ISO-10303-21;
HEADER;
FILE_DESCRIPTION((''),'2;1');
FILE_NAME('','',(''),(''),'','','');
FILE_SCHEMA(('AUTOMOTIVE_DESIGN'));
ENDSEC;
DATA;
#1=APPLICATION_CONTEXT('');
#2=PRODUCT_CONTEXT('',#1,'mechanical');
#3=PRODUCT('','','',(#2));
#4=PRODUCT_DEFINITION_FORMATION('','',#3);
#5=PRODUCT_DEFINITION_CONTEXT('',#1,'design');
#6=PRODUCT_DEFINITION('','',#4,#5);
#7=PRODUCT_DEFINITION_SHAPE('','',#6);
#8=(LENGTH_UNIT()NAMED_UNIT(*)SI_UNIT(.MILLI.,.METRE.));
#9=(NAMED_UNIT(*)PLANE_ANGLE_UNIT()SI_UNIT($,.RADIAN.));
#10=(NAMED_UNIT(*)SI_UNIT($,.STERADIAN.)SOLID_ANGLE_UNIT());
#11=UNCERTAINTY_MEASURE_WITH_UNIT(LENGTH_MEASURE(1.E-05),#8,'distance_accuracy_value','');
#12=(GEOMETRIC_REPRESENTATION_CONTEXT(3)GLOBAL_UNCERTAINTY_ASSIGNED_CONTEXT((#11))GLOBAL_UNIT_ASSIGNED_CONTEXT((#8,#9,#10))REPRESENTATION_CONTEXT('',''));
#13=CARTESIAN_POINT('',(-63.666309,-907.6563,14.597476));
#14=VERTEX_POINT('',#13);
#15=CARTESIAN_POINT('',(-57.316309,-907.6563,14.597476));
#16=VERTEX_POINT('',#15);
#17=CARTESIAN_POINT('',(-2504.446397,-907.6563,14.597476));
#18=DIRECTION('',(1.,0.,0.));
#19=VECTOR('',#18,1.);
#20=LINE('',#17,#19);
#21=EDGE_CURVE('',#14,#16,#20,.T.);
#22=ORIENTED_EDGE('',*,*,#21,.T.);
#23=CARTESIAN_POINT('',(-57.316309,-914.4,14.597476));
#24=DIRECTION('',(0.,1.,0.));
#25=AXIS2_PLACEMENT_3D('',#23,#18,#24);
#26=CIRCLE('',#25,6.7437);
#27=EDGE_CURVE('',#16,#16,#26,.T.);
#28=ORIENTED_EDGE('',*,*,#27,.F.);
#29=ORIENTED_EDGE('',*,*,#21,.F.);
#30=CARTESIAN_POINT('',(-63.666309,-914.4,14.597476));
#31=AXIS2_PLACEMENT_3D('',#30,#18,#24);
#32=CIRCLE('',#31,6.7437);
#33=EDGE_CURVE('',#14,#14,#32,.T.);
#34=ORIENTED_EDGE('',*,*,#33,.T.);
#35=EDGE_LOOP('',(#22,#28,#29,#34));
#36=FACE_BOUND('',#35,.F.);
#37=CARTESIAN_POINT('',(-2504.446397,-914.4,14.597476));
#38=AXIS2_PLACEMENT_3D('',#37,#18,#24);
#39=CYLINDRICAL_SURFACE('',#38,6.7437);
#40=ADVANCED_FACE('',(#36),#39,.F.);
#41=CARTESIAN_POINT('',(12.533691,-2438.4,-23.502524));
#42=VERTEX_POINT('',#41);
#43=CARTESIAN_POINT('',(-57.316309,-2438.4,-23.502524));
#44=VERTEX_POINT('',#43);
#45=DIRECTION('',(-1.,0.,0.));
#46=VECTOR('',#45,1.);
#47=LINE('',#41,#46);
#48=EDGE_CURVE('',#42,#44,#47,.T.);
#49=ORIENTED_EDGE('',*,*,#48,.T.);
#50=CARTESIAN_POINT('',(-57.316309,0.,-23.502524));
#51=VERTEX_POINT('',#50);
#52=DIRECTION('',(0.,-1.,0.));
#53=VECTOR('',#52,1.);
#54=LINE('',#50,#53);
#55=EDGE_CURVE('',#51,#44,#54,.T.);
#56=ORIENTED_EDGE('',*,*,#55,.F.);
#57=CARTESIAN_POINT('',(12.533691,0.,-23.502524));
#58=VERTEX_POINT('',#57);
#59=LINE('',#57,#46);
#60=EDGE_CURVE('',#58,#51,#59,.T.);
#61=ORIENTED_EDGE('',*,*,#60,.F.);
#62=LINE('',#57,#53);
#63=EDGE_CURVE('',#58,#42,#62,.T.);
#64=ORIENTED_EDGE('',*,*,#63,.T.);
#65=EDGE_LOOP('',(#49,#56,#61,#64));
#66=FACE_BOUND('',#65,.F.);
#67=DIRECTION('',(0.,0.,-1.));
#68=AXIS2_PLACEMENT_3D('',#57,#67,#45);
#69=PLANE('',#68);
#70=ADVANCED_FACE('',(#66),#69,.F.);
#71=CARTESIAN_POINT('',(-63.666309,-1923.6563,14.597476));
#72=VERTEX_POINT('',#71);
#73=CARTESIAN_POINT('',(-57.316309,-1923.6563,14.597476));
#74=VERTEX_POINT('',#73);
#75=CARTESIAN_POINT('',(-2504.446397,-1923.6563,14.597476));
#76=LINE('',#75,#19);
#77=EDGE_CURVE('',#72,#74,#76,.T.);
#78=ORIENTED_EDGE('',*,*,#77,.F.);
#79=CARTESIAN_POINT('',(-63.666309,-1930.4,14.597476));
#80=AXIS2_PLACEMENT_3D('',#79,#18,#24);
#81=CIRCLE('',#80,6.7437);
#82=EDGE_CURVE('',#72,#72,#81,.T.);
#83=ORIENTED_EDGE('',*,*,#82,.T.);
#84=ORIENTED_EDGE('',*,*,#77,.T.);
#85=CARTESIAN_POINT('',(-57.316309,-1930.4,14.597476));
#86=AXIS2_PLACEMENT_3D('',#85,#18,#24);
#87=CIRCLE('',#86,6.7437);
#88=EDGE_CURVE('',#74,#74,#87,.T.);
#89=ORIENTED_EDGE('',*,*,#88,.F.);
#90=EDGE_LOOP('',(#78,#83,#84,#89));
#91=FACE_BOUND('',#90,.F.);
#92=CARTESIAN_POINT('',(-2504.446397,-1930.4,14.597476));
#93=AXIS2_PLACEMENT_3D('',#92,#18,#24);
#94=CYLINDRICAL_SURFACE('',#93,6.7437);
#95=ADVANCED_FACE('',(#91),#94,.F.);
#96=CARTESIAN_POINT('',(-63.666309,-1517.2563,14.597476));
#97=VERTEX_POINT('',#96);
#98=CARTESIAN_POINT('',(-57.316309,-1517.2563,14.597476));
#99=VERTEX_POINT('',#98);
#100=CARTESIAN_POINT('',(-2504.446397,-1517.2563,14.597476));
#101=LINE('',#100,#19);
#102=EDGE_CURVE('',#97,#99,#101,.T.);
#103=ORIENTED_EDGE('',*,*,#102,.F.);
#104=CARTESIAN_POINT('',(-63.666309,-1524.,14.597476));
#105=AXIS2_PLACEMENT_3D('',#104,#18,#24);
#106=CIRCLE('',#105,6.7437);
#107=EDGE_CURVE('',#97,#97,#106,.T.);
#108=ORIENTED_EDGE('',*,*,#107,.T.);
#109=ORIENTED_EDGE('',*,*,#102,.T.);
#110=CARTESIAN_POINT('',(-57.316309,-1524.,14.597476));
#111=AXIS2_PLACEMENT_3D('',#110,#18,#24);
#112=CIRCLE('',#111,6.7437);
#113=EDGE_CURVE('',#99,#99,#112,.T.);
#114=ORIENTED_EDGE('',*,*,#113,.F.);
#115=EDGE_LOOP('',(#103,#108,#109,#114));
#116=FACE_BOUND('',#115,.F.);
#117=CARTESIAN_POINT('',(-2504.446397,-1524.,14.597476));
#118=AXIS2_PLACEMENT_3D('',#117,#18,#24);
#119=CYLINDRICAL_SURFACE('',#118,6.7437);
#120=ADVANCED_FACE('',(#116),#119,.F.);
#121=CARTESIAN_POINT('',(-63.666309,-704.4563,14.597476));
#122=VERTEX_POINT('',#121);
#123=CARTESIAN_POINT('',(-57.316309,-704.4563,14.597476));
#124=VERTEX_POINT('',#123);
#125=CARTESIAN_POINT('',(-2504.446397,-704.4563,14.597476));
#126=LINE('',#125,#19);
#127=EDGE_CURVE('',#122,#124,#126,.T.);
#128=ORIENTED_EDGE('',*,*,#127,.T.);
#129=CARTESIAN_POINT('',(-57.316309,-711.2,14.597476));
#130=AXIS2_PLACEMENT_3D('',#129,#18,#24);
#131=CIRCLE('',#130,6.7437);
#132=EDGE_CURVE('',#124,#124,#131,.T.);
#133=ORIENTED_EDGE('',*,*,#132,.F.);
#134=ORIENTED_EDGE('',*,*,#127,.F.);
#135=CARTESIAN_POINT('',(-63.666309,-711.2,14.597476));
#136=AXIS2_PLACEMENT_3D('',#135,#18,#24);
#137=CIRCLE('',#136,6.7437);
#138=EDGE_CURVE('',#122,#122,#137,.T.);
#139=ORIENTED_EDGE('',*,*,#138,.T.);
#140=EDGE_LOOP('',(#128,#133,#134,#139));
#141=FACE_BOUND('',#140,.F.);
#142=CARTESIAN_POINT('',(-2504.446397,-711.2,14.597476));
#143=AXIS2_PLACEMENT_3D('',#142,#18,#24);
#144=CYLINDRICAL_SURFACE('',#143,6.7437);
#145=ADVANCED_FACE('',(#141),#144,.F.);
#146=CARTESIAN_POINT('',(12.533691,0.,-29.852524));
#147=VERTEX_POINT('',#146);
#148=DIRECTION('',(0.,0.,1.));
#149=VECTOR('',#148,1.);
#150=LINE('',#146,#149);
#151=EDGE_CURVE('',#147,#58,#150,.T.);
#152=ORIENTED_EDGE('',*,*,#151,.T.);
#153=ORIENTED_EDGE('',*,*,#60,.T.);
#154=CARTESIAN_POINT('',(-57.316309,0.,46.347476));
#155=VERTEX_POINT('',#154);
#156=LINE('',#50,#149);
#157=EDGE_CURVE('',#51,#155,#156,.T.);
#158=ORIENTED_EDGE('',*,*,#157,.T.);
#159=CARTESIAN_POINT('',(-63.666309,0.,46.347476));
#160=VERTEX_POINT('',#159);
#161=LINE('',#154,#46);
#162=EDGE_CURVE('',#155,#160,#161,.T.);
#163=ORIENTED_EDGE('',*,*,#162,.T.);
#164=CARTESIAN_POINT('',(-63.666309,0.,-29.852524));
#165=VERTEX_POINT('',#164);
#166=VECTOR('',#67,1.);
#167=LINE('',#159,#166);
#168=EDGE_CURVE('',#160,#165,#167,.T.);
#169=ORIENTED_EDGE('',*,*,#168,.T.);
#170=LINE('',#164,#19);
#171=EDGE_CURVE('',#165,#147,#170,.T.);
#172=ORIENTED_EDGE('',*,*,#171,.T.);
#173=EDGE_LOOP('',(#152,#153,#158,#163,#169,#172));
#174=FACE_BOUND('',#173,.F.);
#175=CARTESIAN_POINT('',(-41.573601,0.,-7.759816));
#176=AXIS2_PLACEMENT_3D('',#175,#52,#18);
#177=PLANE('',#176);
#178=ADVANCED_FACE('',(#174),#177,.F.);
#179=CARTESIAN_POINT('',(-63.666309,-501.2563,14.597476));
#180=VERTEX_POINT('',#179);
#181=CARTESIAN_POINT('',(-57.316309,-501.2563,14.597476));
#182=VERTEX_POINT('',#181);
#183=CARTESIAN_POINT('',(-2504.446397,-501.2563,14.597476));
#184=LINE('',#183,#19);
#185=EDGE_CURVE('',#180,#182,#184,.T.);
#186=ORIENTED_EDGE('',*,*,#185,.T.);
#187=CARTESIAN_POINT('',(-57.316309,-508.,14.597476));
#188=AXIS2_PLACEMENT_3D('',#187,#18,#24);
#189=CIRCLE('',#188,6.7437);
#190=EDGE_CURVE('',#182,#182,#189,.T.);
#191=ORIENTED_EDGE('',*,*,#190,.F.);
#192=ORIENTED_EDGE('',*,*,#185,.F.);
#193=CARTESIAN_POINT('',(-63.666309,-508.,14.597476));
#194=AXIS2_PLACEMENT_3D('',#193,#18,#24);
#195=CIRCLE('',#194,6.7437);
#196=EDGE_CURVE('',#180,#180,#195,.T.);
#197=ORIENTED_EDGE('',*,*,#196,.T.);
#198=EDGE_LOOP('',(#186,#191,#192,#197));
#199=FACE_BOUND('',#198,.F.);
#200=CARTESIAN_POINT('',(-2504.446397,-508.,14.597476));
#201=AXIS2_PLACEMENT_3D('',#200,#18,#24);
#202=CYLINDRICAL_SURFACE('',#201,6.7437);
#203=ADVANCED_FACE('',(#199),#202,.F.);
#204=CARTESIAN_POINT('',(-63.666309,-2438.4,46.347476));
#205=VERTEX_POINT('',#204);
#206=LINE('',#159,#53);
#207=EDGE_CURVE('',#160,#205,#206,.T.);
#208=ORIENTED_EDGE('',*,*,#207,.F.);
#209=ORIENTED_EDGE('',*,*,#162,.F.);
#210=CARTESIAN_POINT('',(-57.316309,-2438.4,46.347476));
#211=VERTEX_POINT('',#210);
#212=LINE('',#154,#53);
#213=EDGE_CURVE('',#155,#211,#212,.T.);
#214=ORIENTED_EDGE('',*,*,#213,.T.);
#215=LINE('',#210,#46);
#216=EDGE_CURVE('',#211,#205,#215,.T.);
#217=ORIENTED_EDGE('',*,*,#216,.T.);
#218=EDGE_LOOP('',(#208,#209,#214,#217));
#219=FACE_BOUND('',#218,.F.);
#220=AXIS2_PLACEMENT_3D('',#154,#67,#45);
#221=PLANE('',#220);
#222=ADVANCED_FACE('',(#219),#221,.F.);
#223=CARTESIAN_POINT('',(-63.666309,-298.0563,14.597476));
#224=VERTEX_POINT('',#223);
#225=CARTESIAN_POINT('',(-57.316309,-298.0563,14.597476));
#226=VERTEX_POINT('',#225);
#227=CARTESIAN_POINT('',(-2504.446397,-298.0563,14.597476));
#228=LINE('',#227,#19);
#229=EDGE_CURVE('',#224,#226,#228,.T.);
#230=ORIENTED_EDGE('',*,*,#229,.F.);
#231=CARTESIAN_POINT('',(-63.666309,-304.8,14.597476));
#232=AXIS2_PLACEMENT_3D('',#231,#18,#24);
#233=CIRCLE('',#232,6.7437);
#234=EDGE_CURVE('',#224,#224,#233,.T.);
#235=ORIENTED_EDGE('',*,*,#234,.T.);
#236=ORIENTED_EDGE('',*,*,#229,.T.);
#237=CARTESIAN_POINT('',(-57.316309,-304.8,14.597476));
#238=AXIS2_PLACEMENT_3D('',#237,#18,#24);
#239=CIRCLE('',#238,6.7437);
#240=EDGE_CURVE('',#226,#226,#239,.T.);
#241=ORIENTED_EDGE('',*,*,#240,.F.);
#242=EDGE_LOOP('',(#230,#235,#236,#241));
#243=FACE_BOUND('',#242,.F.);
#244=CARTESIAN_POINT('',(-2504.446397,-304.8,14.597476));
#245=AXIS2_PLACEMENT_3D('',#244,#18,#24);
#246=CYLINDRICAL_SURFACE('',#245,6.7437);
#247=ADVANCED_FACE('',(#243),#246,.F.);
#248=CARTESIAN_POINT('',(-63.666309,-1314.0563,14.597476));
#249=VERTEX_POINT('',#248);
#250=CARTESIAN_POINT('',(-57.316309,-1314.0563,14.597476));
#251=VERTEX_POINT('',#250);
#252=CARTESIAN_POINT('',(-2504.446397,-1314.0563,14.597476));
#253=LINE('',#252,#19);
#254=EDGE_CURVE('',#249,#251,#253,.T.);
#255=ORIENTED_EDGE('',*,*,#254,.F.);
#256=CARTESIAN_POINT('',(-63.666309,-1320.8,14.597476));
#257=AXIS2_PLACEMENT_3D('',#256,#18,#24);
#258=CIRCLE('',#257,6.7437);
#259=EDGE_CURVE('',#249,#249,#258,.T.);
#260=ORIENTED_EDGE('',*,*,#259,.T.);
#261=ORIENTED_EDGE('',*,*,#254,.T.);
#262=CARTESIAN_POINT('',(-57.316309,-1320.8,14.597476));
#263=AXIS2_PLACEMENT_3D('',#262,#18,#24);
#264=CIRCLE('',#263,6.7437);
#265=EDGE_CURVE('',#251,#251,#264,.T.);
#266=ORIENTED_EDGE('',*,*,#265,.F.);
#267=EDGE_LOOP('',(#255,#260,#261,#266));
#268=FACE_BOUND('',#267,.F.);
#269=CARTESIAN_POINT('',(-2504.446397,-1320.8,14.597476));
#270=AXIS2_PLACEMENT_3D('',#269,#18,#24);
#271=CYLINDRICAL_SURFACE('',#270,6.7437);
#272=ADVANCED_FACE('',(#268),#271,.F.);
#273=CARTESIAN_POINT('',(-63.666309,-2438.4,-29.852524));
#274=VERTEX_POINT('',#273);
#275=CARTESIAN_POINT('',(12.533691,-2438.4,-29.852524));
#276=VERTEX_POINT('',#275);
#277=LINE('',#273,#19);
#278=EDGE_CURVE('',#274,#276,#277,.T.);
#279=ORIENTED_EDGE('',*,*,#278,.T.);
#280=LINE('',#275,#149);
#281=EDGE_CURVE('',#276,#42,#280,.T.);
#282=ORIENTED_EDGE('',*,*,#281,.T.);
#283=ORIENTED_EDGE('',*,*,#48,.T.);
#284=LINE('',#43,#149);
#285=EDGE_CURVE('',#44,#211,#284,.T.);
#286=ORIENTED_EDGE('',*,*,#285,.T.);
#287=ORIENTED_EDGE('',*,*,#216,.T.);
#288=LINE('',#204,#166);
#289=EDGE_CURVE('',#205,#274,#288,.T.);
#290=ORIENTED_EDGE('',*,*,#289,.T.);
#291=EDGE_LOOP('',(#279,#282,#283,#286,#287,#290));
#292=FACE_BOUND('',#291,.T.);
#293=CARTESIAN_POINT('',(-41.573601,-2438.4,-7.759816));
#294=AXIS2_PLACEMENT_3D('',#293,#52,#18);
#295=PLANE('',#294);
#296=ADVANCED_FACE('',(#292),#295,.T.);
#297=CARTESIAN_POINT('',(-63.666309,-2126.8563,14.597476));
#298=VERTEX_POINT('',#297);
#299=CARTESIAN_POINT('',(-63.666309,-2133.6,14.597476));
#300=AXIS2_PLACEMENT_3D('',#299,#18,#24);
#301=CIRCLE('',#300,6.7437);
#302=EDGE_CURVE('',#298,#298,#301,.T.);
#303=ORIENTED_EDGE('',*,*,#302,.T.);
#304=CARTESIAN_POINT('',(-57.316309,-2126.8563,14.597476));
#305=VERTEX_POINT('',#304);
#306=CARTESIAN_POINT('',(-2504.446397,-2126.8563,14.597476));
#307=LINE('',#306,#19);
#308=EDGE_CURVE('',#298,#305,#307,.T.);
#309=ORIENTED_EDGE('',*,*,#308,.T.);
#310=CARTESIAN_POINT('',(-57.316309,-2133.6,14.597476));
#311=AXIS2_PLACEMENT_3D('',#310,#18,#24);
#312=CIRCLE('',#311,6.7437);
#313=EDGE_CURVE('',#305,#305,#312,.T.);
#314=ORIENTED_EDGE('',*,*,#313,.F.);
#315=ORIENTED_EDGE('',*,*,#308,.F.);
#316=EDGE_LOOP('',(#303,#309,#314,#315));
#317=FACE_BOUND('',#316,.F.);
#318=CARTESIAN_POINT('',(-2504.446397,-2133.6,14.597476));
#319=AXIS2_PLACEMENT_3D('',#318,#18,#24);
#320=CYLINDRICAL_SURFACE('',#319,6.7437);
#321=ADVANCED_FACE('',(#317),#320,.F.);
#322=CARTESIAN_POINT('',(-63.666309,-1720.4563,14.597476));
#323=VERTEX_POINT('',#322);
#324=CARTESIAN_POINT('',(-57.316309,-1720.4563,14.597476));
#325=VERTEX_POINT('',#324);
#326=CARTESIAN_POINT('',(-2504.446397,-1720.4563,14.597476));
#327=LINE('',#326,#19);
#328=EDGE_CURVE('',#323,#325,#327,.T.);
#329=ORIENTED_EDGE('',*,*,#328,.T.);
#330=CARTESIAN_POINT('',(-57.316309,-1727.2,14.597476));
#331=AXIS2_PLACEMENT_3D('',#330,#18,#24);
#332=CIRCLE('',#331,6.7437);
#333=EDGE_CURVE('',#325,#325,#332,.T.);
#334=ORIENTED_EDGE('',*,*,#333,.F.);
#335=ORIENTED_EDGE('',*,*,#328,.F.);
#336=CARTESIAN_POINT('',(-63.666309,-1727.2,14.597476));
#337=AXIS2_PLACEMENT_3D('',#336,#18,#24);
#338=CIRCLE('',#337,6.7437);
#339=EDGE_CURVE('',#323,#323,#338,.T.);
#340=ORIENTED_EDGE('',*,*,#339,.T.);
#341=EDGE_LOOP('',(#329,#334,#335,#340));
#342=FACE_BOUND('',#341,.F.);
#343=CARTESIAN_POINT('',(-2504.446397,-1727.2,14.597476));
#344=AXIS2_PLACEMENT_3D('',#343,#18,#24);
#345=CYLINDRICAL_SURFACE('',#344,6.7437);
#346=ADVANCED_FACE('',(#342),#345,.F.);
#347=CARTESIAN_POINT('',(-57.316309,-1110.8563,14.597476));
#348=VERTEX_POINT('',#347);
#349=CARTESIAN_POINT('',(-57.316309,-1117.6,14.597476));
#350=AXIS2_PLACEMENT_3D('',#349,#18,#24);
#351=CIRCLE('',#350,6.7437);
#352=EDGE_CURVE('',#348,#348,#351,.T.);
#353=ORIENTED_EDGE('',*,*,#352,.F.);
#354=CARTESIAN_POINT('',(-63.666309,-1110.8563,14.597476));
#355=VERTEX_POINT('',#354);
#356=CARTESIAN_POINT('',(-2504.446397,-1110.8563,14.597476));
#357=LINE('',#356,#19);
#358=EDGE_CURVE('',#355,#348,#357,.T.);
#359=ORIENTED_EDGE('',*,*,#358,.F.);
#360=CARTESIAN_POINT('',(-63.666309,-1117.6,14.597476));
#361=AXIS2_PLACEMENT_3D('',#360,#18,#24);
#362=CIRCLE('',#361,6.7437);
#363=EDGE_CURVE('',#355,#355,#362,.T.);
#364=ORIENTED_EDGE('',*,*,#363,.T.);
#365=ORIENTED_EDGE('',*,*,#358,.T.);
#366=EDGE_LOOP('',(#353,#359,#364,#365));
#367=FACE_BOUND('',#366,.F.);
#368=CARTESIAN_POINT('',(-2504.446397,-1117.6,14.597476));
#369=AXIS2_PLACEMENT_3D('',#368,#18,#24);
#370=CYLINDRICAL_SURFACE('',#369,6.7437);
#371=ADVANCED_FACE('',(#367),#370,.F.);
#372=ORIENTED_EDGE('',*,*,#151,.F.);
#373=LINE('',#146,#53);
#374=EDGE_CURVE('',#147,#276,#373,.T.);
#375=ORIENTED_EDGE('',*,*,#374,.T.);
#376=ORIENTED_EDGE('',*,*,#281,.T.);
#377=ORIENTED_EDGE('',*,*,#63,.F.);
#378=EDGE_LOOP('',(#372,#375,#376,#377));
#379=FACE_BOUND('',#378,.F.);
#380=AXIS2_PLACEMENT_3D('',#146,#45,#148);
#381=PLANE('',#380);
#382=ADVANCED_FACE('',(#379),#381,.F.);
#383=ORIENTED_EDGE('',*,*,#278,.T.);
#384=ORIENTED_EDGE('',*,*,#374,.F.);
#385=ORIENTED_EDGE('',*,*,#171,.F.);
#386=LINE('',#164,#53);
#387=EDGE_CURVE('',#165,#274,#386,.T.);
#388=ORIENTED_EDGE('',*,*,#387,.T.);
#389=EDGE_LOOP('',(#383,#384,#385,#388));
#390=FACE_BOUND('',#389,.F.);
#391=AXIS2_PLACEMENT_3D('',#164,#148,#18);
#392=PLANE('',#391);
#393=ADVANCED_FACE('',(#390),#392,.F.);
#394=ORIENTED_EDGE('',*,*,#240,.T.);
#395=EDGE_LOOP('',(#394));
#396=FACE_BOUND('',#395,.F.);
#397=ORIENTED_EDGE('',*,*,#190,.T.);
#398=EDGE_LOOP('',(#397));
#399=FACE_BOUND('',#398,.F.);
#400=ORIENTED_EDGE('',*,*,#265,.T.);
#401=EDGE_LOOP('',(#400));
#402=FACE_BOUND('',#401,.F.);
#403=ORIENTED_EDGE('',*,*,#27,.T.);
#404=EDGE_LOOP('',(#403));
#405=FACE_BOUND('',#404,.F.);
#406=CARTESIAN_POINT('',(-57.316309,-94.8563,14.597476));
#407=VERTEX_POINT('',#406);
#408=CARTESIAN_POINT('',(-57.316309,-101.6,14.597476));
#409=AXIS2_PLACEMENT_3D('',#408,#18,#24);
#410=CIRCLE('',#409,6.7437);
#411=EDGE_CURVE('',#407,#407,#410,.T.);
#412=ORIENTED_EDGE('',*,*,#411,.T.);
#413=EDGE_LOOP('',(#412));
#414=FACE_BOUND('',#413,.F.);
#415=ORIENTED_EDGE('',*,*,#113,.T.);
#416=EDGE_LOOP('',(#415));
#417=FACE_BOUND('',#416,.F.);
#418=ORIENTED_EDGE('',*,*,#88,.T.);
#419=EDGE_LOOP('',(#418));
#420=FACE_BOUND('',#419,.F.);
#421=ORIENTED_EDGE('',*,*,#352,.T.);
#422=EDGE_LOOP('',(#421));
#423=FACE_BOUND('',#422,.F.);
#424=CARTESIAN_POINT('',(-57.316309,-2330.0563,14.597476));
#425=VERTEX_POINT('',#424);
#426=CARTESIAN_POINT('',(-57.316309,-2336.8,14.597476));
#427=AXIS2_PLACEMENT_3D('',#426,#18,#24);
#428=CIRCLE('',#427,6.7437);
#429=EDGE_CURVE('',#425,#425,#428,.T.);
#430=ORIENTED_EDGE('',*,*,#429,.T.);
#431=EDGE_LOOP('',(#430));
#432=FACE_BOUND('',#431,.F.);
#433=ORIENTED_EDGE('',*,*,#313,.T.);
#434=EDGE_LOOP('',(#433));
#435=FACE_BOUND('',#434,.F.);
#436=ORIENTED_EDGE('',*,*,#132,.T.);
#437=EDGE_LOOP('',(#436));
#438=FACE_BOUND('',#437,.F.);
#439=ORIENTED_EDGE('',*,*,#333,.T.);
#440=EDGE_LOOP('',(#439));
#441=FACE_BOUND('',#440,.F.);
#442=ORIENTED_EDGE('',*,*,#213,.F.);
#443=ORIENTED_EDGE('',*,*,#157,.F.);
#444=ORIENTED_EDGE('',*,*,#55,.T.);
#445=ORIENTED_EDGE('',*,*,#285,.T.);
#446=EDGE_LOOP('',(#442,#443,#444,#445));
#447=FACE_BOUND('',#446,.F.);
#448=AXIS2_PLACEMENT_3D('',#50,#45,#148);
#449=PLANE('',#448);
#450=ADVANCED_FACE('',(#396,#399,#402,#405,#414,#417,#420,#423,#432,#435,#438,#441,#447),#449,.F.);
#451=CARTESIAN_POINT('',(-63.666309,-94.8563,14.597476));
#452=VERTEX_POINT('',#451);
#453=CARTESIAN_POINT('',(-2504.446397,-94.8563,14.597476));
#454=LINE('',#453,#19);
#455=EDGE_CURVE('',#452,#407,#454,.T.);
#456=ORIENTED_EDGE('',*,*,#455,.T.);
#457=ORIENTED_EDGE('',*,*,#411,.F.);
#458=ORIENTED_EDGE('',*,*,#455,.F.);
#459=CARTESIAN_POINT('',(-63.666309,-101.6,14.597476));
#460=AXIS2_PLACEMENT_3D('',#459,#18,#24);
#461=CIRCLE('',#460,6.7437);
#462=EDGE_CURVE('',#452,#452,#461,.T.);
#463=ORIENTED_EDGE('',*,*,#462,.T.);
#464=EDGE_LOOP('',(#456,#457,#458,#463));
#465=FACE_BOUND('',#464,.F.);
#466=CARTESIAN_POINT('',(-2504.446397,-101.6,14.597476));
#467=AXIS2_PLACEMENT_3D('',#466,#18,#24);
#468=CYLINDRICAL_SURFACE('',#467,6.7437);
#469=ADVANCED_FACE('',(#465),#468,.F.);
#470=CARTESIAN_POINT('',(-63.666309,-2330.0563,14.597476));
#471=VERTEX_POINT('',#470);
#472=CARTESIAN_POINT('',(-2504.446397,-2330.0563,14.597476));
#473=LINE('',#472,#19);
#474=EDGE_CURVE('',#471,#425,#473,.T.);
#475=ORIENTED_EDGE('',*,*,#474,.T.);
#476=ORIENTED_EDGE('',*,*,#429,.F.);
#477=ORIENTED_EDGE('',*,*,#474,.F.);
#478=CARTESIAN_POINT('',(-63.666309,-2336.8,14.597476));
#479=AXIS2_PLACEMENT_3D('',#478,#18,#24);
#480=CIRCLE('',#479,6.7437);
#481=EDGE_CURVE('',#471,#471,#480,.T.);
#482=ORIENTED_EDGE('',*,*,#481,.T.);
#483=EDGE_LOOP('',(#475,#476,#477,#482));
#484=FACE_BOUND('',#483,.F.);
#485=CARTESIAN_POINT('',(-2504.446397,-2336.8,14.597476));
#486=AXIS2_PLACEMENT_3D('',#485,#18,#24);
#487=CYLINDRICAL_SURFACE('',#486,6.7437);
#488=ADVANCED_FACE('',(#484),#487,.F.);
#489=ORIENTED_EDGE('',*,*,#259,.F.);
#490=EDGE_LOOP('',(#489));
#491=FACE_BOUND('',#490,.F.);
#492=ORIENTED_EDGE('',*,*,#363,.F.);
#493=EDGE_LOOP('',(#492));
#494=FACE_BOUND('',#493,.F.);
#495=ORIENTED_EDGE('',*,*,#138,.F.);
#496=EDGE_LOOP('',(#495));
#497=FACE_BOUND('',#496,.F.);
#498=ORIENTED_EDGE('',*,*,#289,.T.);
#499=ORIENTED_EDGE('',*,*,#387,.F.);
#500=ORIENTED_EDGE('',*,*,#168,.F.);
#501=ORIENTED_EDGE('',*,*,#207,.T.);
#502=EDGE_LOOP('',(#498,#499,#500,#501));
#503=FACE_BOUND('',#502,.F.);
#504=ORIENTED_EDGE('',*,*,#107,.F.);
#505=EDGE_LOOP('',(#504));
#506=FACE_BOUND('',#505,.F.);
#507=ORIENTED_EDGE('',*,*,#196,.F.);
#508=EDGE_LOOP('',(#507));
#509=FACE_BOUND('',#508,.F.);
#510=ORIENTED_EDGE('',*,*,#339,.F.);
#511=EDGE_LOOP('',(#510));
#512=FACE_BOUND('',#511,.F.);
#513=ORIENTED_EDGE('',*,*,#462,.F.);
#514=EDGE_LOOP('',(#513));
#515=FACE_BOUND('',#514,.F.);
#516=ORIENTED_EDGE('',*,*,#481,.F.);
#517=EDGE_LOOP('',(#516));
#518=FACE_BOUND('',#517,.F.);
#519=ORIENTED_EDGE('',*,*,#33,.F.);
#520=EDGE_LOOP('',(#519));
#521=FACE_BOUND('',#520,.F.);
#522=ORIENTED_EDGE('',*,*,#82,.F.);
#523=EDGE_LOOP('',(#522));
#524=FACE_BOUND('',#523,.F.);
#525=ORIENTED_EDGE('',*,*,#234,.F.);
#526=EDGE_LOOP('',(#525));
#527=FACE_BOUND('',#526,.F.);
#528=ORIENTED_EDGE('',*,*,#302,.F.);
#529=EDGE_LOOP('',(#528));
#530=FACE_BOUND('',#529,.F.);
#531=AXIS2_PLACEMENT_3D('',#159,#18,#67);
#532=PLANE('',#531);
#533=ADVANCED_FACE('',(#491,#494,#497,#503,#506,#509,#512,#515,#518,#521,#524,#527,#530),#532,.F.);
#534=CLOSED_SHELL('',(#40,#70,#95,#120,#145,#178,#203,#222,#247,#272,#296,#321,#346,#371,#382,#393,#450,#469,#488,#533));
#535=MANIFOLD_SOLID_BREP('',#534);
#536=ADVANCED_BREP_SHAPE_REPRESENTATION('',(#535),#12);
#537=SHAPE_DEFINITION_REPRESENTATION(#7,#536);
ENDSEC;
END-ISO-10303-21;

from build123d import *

# Parameters (mm, degrees)
F1_DEPTH = 2438.4
F3_D     = 13.4874


with BuildPart() as f1:
    # F0 (on Front) → F1 (new body)
    with BuildSketch(Plane.XZ):
        Polygon((-57.316309, 46.347476), (-63.666309, 46.347476), (-63.666309, -29.852524), (12.533691, -29.852524), (12.533691, -23.502524), (-57.316309, -23.502524), align=None)
    extrude(amount=F1_DEPTH)

    # F3 (through all)
    with Locations(Plane(origin=(-63.666309, 0, 0), x_dir=(0, -1, 0), z_dir=(-1, 0, 0))):
        with Locations((2336.8, 14.597476), (2133.6, 14.597476), (1930.4, 14.597476), (1727.2, 14.597476), (1524, 14.597476), (1320.8, 14.597476), (1117.6, 14.597476), (914.4, 14.597476), (711.2, 14.597476), (508, 14.597476), (304.8, 14.597476), (101.6, 14.597476)):
            Hole(F3_D / 2)


solid = f1.part
